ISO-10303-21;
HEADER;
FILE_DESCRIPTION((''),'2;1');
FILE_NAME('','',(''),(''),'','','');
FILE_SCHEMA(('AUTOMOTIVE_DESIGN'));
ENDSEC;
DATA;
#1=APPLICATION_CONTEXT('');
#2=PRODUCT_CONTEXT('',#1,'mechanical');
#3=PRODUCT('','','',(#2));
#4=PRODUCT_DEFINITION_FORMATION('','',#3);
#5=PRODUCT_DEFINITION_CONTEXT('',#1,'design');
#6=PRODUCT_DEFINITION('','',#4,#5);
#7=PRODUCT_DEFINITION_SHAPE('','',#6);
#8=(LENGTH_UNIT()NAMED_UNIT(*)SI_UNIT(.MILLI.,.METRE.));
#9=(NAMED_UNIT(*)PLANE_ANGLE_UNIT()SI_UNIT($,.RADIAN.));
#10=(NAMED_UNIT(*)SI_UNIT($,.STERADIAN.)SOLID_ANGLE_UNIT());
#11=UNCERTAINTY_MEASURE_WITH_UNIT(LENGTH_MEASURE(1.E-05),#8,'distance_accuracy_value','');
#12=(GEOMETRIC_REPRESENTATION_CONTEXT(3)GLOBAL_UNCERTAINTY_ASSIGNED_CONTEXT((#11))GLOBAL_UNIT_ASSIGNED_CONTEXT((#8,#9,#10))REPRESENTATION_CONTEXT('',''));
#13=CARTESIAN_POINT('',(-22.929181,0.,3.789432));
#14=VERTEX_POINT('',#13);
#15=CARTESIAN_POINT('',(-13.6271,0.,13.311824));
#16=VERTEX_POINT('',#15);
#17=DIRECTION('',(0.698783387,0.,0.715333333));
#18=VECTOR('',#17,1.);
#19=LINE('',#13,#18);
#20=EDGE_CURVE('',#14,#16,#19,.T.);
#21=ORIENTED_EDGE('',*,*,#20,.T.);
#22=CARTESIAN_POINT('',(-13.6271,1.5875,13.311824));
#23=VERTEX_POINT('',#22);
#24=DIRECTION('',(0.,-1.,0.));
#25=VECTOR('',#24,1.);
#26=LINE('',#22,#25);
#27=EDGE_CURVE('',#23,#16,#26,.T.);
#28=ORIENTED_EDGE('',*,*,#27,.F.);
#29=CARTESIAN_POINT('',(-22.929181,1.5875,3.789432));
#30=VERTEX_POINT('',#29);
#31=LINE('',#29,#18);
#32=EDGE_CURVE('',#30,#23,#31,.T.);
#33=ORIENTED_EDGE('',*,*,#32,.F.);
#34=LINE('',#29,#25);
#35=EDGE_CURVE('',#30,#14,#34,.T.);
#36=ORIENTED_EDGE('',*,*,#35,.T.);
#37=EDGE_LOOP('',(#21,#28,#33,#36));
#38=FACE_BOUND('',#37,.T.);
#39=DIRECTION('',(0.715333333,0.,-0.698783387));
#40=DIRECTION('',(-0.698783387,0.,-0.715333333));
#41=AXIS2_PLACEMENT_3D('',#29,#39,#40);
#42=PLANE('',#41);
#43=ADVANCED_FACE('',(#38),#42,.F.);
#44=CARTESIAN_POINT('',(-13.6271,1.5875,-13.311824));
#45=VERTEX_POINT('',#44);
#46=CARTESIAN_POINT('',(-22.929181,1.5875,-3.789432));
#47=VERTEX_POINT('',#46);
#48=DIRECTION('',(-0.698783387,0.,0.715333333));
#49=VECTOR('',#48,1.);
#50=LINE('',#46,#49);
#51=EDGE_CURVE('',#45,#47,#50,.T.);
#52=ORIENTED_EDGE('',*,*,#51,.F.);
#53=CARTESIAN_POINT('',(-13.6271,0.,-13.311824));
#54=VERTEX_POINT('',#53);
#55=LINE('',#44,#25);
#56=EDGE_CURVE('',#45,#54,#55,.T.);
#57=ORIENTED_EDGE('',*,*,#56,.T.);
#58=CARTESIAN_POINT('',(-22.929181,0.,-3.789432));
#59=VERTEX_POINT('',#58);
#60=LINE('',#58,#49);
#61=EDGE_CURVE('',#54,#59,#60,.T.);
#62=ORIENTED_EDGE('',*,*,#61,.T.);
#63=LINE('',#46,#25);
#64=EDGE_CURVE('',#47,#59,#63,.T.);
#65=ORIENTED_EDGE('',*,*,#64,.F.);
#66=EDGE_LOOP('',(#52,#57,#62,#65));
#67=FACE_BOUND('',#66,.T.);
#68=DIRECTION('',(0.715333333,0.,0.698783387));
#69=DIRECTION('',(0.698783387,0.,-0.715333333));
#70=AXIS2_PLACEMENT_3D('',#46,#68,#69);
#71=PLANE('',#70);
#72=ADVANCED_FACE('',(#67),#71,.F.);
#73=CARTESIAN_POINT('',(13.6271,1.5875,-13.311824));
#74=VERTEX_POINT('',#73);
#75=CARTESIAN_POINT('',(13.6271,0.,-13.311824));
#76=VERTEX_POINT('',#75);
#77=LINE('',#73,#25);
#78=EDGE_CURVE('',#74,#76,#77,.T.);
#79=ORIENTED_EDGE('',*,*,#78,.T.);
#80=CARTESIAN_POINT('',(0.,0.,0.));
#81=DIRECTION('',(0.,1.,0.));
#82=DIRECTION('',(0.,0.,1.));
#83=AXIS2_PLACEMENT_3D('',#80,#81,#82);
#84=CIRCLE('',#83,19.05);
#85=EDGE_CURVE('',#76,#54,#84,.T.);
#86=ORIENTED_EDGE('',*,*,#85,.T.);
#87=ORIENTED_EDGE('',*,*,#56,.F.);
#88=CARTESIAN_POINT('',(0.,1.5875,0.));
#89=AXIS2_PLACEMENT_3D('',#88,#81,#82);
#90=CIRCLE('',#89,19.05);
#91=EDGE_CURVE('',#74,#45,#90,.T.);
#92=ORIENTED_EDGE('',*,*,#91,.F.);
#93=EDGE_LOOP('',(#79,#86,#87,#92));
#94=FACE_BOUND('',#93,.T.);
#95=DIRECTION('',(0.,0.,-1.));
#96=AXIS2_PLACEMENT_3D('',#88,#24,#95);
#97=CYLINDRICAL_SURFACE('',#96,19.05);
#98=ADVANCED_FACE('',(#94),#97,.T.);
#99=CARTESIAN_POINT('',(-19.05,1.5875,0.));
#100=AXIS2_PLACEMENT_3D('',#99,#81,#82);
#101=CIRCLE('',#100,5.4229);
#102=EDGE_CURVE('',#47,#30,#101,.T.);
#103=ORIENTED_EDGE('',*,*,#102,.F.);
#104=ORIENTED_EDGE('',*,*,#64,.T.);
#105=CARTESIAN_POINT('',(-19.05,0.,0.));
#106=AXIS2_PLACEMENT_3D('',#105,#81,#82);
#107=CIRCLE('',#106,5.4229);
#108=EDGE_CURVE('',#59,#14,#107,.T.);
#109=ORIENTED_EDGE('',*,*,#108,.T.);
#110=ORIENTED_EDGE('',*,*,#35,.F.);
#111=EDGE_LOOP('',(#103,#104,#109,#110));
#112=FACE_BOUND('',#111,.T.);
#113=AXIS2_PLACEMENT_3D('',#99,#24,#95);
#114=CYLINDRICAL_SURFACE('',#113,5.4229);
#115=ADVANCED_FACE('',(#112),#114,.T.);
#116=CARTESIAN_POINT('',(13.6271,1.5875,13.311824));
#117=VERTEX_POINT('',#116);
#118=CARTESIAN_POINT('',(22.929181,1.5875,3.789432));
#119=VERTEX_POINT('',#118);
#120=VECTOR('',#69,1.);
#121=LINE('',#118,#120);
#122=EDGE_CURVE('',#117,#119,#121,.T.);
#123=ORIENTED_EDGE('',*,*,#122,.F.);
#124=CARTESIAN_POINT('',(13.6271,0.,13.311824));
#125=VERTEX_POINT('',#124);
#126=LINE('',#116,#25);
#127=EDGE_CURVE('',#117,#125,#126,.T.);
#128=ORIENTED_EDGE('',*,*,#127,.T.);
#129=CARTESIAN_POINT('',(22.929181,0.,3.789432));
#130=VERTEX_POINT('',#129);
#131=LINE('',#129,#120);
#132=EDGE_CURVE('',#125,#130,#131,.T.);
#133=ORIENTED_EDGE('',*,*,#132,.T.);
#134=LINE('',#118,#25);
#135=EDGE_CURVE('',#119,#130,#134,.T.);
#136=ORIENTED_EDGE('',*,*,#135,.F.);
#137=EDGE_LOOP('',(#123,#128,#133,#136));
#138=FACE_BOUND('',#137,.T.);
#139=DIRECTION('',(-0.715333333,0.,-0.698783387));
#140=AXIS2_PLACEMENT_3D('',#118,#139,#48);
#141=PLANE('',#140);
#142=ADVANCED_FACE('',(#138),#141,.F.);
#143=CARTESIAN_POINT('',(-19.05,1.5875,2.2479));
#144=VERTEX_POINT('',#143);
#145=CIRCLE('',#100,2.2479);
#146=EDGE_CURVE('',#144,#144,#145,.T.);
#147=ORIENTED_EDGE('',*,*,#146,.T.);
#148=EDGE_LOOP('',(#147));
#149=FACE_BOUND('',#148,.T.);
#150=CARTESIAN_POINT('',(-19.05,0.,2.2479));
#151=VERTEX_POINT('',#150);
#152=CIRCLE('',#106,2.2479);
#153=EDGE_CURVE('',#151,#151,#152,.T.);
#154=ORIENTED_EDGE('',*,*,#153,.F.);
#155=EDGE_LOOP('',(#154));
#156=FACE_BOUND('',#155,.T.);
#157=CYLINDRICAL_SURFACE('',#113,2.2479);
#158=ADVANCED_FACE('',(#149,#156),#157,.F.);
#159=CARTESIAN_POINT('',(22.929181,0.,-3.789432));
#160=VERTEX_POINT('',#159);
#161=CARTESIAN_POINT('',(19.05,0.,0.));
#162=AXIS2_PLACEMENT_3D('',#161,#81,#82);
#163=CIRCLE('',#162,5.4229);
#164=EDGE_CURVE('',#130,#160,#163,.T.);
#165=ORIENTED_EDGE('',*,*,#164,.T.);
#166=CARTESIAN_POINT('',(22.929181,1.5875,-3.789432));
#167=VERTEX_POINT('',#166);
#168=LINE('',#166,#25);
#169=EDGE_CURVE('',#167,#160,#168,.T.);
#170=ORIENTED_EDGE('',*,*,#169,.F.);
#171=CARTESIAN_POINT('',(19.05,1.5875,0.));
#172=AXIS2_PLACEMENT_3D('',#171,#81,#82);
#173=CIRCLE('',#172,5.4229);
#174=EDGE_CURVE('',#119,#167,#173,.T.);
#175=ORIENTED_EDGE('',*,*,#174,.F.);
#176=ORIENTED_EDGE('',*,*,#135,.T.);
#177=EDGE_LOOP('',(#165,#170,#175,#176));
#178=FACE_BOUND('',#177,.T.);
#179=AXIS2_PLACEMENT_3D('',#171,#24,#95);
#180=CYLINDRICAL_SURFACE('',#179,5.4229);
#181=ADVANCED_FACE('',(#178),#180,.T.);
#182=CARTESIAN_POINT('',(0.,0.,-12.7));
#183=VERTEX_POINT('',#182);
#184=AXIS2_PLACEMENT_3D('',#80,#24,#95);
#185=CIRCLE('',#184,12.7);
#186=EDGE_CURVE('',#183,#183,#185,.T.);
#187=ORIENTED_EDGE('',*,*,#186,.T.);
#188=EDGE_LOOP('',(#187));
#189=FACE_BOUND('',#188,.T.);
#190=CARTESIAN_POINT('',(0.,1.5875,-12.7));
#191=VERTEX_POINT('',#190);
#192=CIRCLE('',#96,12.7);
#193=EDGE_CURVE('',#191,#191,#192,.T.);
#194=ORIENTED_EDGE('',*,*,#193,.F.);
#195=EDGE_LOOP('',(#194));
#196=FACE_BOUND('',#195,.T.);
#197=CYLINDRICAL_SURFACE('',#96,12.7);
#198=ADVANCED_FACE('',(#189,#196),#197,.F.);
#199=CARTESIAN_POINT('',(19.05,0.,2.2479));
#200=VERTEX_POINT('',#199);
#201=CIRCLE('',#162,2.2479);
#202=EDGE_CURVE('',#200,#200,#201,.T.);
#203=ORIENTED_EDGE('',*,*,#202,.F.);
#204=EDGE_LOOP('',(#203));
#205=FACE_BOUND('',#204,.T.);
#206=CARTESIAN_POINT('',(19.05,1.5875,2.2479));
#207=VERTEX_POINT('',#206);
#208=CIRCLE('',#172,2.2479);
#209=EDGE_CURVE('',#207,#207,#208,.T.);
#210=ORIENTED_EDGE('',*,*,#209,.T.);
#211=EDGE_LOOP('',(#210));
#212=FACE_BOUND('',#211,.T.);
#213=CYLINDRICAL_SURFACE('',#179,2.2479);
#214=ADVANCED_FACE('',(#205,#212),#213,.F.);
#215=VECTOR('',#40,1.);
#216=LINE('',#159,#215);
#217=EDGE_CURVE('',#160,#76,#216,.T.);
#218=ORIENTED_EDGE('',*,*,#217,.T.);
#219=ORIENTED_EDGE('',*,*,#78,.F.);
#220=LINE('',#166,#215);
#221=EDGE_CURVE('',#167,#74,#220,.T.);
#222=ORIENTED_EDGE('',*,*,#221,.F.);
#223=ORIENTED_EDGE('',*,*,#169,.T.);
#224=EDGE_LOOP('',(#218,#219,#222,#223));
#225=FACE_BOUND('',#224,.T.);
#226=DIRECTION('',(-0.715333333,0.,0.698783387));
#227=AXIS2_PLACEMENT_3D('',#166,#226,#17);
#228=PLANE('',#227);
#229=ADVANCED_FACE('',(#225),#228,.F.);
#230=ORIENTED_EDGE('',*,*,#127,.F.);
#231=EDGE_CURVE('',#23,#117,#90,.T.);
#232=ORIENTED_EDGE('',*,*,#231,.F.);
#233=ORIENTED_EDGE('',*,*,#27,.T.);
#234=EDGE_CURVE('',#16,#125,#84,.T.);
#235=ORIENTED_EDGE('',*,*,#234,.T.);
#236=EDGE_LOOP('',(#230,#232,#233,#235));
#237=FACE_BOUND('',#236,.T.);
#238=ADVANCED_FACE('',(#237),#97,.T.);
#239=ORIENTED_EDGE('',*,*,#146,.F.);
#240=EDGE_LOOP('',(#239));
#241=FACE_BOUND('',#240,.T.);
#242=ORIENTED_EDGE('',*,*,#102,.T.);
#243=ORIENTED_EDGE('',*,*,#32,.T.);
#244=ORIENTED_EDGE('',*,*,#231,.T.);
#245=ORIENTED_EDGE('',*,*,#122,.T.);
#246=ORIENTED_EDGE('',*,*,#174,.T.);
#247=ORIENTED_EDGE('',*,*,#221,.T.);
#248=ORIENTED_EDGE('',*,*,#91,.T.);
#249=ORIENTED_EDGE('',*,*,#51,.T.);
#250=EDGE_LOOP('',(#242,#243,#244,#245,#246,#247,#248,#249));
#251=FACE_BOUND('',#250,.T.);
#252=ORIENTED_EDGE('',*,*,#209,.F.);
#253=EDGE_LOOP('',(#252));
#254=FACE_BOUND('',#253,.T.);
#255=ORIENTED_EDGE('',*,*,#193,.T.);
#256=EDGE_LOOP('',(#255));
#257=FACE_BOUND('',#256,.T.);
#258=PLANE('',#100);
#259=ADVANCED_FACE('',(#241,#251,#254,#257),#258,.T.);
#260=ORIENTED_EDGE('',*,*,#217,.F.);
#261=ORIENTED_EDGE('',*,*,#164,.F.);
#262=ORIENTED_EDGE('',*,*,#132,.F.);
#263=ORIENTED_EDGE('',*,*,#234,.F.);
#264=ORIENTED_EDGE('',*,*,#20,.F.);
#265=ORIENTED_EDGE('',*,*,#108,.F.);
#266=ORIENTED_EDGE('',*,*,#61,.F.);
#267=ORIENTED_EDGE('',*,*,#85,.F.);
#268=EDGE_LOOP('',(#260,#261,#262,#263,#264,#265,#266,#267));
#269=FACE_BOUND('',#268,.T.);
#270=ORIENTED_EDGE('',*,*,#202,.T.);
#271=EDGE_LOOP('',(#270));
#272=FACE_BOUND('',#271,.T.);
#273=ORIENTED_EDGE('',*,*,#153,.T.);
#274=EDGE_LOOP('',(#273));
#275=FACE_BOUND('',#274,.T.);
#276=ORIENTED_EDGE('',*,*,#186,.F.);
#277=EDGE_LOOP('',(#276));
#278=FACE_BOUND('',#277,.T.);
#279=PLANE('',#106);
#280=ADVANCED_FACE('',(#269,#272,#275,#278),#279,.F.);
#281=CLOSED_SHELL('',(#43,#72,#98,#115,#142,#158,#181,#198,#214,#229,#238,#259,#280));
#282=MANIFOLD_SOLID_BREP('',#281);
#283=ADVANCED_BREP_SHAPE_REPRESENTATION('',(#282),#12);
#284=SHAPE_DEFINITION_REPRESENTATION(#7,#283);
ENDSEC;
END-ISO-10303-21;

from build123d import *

# Parameters (mm, degrees)
SKETCH1_R           = 15.6845
SKETCH1_R_2         = 2.2479
BOSS_EXTRUDE1_DEPTH = 1.5875
SKETCH2_R           = 15.6845
SKETCH2_R_2         = 12.7
BOSS_EXTRUDE2_DEPTH = 1.5875


with BuildPart() as part:
    # Sketch1 → Boss-Extrude1 (new body)
    with BuildSketch(Plane(origin=(0, 0, 0), x_dir=(1, 0, 0), z_dir=(0, 1, 0))):
        with BuildLine():
            Line((-22.929181133, 3.78943243), (-13.6271, 13.311823526))
            ThreePointArc((-13.6271, 13.311823526), (0, 19.05), (13.6271, 13.311823526))
            Line((13.6271, 13.311823526), (22.929181133, 3.78943243))
            ThreePointArc((22.929181133, 3.78943243), (24.4729, 0), (22.929181133, -3.78943243))
            Line((22.929181133, -3.78943243), (13.6271, -13.311823526))
            ThreePointArc((13.6271, -13.311823526), (0, -19.05), (-13.6271, -13.311823526))
            Line((-13.6271, -13.311823526), (-22.929181133, -3.78943243))
            ThreePointArc((-22.929181133, -3.78943243), (-24.4729, 0), (-22.929181133, 3.78943243))
        make_face()
        with Locations(Location((0, 0, 0), (0, 0, 270))):
            Circle(SKETCH1_R, mode=Mode.SUBTRACT)
        with Locations(Location((-19.05, 0, 0), (0, 0, 270))):
            Circle(SKETCH1_R_2, mode=Mode.SUBTRACT)
        with Locations(Location((19.05, 0, 0), (0, 0, 270))):
            Circle(SKETCH1_R_2, mode=Mode.SUBTRACT)
    extrude(amount=BOSS_EXTRUDE1_DEPTH)

    # Sketch2 → Boss-Extrude2 (add)
    with BuildSketch(Plane.XZ):
        Circle(SKETCH2_R)
        with Locations(Location((0, 0, 0), (0, 0, 270))):
            Circle(SKETCH2_R_2, mode=Mode.SUBTRACT)
    extrude(amount=-BOSS_EXTRUDE2_DEPTH)


solid = part.part
